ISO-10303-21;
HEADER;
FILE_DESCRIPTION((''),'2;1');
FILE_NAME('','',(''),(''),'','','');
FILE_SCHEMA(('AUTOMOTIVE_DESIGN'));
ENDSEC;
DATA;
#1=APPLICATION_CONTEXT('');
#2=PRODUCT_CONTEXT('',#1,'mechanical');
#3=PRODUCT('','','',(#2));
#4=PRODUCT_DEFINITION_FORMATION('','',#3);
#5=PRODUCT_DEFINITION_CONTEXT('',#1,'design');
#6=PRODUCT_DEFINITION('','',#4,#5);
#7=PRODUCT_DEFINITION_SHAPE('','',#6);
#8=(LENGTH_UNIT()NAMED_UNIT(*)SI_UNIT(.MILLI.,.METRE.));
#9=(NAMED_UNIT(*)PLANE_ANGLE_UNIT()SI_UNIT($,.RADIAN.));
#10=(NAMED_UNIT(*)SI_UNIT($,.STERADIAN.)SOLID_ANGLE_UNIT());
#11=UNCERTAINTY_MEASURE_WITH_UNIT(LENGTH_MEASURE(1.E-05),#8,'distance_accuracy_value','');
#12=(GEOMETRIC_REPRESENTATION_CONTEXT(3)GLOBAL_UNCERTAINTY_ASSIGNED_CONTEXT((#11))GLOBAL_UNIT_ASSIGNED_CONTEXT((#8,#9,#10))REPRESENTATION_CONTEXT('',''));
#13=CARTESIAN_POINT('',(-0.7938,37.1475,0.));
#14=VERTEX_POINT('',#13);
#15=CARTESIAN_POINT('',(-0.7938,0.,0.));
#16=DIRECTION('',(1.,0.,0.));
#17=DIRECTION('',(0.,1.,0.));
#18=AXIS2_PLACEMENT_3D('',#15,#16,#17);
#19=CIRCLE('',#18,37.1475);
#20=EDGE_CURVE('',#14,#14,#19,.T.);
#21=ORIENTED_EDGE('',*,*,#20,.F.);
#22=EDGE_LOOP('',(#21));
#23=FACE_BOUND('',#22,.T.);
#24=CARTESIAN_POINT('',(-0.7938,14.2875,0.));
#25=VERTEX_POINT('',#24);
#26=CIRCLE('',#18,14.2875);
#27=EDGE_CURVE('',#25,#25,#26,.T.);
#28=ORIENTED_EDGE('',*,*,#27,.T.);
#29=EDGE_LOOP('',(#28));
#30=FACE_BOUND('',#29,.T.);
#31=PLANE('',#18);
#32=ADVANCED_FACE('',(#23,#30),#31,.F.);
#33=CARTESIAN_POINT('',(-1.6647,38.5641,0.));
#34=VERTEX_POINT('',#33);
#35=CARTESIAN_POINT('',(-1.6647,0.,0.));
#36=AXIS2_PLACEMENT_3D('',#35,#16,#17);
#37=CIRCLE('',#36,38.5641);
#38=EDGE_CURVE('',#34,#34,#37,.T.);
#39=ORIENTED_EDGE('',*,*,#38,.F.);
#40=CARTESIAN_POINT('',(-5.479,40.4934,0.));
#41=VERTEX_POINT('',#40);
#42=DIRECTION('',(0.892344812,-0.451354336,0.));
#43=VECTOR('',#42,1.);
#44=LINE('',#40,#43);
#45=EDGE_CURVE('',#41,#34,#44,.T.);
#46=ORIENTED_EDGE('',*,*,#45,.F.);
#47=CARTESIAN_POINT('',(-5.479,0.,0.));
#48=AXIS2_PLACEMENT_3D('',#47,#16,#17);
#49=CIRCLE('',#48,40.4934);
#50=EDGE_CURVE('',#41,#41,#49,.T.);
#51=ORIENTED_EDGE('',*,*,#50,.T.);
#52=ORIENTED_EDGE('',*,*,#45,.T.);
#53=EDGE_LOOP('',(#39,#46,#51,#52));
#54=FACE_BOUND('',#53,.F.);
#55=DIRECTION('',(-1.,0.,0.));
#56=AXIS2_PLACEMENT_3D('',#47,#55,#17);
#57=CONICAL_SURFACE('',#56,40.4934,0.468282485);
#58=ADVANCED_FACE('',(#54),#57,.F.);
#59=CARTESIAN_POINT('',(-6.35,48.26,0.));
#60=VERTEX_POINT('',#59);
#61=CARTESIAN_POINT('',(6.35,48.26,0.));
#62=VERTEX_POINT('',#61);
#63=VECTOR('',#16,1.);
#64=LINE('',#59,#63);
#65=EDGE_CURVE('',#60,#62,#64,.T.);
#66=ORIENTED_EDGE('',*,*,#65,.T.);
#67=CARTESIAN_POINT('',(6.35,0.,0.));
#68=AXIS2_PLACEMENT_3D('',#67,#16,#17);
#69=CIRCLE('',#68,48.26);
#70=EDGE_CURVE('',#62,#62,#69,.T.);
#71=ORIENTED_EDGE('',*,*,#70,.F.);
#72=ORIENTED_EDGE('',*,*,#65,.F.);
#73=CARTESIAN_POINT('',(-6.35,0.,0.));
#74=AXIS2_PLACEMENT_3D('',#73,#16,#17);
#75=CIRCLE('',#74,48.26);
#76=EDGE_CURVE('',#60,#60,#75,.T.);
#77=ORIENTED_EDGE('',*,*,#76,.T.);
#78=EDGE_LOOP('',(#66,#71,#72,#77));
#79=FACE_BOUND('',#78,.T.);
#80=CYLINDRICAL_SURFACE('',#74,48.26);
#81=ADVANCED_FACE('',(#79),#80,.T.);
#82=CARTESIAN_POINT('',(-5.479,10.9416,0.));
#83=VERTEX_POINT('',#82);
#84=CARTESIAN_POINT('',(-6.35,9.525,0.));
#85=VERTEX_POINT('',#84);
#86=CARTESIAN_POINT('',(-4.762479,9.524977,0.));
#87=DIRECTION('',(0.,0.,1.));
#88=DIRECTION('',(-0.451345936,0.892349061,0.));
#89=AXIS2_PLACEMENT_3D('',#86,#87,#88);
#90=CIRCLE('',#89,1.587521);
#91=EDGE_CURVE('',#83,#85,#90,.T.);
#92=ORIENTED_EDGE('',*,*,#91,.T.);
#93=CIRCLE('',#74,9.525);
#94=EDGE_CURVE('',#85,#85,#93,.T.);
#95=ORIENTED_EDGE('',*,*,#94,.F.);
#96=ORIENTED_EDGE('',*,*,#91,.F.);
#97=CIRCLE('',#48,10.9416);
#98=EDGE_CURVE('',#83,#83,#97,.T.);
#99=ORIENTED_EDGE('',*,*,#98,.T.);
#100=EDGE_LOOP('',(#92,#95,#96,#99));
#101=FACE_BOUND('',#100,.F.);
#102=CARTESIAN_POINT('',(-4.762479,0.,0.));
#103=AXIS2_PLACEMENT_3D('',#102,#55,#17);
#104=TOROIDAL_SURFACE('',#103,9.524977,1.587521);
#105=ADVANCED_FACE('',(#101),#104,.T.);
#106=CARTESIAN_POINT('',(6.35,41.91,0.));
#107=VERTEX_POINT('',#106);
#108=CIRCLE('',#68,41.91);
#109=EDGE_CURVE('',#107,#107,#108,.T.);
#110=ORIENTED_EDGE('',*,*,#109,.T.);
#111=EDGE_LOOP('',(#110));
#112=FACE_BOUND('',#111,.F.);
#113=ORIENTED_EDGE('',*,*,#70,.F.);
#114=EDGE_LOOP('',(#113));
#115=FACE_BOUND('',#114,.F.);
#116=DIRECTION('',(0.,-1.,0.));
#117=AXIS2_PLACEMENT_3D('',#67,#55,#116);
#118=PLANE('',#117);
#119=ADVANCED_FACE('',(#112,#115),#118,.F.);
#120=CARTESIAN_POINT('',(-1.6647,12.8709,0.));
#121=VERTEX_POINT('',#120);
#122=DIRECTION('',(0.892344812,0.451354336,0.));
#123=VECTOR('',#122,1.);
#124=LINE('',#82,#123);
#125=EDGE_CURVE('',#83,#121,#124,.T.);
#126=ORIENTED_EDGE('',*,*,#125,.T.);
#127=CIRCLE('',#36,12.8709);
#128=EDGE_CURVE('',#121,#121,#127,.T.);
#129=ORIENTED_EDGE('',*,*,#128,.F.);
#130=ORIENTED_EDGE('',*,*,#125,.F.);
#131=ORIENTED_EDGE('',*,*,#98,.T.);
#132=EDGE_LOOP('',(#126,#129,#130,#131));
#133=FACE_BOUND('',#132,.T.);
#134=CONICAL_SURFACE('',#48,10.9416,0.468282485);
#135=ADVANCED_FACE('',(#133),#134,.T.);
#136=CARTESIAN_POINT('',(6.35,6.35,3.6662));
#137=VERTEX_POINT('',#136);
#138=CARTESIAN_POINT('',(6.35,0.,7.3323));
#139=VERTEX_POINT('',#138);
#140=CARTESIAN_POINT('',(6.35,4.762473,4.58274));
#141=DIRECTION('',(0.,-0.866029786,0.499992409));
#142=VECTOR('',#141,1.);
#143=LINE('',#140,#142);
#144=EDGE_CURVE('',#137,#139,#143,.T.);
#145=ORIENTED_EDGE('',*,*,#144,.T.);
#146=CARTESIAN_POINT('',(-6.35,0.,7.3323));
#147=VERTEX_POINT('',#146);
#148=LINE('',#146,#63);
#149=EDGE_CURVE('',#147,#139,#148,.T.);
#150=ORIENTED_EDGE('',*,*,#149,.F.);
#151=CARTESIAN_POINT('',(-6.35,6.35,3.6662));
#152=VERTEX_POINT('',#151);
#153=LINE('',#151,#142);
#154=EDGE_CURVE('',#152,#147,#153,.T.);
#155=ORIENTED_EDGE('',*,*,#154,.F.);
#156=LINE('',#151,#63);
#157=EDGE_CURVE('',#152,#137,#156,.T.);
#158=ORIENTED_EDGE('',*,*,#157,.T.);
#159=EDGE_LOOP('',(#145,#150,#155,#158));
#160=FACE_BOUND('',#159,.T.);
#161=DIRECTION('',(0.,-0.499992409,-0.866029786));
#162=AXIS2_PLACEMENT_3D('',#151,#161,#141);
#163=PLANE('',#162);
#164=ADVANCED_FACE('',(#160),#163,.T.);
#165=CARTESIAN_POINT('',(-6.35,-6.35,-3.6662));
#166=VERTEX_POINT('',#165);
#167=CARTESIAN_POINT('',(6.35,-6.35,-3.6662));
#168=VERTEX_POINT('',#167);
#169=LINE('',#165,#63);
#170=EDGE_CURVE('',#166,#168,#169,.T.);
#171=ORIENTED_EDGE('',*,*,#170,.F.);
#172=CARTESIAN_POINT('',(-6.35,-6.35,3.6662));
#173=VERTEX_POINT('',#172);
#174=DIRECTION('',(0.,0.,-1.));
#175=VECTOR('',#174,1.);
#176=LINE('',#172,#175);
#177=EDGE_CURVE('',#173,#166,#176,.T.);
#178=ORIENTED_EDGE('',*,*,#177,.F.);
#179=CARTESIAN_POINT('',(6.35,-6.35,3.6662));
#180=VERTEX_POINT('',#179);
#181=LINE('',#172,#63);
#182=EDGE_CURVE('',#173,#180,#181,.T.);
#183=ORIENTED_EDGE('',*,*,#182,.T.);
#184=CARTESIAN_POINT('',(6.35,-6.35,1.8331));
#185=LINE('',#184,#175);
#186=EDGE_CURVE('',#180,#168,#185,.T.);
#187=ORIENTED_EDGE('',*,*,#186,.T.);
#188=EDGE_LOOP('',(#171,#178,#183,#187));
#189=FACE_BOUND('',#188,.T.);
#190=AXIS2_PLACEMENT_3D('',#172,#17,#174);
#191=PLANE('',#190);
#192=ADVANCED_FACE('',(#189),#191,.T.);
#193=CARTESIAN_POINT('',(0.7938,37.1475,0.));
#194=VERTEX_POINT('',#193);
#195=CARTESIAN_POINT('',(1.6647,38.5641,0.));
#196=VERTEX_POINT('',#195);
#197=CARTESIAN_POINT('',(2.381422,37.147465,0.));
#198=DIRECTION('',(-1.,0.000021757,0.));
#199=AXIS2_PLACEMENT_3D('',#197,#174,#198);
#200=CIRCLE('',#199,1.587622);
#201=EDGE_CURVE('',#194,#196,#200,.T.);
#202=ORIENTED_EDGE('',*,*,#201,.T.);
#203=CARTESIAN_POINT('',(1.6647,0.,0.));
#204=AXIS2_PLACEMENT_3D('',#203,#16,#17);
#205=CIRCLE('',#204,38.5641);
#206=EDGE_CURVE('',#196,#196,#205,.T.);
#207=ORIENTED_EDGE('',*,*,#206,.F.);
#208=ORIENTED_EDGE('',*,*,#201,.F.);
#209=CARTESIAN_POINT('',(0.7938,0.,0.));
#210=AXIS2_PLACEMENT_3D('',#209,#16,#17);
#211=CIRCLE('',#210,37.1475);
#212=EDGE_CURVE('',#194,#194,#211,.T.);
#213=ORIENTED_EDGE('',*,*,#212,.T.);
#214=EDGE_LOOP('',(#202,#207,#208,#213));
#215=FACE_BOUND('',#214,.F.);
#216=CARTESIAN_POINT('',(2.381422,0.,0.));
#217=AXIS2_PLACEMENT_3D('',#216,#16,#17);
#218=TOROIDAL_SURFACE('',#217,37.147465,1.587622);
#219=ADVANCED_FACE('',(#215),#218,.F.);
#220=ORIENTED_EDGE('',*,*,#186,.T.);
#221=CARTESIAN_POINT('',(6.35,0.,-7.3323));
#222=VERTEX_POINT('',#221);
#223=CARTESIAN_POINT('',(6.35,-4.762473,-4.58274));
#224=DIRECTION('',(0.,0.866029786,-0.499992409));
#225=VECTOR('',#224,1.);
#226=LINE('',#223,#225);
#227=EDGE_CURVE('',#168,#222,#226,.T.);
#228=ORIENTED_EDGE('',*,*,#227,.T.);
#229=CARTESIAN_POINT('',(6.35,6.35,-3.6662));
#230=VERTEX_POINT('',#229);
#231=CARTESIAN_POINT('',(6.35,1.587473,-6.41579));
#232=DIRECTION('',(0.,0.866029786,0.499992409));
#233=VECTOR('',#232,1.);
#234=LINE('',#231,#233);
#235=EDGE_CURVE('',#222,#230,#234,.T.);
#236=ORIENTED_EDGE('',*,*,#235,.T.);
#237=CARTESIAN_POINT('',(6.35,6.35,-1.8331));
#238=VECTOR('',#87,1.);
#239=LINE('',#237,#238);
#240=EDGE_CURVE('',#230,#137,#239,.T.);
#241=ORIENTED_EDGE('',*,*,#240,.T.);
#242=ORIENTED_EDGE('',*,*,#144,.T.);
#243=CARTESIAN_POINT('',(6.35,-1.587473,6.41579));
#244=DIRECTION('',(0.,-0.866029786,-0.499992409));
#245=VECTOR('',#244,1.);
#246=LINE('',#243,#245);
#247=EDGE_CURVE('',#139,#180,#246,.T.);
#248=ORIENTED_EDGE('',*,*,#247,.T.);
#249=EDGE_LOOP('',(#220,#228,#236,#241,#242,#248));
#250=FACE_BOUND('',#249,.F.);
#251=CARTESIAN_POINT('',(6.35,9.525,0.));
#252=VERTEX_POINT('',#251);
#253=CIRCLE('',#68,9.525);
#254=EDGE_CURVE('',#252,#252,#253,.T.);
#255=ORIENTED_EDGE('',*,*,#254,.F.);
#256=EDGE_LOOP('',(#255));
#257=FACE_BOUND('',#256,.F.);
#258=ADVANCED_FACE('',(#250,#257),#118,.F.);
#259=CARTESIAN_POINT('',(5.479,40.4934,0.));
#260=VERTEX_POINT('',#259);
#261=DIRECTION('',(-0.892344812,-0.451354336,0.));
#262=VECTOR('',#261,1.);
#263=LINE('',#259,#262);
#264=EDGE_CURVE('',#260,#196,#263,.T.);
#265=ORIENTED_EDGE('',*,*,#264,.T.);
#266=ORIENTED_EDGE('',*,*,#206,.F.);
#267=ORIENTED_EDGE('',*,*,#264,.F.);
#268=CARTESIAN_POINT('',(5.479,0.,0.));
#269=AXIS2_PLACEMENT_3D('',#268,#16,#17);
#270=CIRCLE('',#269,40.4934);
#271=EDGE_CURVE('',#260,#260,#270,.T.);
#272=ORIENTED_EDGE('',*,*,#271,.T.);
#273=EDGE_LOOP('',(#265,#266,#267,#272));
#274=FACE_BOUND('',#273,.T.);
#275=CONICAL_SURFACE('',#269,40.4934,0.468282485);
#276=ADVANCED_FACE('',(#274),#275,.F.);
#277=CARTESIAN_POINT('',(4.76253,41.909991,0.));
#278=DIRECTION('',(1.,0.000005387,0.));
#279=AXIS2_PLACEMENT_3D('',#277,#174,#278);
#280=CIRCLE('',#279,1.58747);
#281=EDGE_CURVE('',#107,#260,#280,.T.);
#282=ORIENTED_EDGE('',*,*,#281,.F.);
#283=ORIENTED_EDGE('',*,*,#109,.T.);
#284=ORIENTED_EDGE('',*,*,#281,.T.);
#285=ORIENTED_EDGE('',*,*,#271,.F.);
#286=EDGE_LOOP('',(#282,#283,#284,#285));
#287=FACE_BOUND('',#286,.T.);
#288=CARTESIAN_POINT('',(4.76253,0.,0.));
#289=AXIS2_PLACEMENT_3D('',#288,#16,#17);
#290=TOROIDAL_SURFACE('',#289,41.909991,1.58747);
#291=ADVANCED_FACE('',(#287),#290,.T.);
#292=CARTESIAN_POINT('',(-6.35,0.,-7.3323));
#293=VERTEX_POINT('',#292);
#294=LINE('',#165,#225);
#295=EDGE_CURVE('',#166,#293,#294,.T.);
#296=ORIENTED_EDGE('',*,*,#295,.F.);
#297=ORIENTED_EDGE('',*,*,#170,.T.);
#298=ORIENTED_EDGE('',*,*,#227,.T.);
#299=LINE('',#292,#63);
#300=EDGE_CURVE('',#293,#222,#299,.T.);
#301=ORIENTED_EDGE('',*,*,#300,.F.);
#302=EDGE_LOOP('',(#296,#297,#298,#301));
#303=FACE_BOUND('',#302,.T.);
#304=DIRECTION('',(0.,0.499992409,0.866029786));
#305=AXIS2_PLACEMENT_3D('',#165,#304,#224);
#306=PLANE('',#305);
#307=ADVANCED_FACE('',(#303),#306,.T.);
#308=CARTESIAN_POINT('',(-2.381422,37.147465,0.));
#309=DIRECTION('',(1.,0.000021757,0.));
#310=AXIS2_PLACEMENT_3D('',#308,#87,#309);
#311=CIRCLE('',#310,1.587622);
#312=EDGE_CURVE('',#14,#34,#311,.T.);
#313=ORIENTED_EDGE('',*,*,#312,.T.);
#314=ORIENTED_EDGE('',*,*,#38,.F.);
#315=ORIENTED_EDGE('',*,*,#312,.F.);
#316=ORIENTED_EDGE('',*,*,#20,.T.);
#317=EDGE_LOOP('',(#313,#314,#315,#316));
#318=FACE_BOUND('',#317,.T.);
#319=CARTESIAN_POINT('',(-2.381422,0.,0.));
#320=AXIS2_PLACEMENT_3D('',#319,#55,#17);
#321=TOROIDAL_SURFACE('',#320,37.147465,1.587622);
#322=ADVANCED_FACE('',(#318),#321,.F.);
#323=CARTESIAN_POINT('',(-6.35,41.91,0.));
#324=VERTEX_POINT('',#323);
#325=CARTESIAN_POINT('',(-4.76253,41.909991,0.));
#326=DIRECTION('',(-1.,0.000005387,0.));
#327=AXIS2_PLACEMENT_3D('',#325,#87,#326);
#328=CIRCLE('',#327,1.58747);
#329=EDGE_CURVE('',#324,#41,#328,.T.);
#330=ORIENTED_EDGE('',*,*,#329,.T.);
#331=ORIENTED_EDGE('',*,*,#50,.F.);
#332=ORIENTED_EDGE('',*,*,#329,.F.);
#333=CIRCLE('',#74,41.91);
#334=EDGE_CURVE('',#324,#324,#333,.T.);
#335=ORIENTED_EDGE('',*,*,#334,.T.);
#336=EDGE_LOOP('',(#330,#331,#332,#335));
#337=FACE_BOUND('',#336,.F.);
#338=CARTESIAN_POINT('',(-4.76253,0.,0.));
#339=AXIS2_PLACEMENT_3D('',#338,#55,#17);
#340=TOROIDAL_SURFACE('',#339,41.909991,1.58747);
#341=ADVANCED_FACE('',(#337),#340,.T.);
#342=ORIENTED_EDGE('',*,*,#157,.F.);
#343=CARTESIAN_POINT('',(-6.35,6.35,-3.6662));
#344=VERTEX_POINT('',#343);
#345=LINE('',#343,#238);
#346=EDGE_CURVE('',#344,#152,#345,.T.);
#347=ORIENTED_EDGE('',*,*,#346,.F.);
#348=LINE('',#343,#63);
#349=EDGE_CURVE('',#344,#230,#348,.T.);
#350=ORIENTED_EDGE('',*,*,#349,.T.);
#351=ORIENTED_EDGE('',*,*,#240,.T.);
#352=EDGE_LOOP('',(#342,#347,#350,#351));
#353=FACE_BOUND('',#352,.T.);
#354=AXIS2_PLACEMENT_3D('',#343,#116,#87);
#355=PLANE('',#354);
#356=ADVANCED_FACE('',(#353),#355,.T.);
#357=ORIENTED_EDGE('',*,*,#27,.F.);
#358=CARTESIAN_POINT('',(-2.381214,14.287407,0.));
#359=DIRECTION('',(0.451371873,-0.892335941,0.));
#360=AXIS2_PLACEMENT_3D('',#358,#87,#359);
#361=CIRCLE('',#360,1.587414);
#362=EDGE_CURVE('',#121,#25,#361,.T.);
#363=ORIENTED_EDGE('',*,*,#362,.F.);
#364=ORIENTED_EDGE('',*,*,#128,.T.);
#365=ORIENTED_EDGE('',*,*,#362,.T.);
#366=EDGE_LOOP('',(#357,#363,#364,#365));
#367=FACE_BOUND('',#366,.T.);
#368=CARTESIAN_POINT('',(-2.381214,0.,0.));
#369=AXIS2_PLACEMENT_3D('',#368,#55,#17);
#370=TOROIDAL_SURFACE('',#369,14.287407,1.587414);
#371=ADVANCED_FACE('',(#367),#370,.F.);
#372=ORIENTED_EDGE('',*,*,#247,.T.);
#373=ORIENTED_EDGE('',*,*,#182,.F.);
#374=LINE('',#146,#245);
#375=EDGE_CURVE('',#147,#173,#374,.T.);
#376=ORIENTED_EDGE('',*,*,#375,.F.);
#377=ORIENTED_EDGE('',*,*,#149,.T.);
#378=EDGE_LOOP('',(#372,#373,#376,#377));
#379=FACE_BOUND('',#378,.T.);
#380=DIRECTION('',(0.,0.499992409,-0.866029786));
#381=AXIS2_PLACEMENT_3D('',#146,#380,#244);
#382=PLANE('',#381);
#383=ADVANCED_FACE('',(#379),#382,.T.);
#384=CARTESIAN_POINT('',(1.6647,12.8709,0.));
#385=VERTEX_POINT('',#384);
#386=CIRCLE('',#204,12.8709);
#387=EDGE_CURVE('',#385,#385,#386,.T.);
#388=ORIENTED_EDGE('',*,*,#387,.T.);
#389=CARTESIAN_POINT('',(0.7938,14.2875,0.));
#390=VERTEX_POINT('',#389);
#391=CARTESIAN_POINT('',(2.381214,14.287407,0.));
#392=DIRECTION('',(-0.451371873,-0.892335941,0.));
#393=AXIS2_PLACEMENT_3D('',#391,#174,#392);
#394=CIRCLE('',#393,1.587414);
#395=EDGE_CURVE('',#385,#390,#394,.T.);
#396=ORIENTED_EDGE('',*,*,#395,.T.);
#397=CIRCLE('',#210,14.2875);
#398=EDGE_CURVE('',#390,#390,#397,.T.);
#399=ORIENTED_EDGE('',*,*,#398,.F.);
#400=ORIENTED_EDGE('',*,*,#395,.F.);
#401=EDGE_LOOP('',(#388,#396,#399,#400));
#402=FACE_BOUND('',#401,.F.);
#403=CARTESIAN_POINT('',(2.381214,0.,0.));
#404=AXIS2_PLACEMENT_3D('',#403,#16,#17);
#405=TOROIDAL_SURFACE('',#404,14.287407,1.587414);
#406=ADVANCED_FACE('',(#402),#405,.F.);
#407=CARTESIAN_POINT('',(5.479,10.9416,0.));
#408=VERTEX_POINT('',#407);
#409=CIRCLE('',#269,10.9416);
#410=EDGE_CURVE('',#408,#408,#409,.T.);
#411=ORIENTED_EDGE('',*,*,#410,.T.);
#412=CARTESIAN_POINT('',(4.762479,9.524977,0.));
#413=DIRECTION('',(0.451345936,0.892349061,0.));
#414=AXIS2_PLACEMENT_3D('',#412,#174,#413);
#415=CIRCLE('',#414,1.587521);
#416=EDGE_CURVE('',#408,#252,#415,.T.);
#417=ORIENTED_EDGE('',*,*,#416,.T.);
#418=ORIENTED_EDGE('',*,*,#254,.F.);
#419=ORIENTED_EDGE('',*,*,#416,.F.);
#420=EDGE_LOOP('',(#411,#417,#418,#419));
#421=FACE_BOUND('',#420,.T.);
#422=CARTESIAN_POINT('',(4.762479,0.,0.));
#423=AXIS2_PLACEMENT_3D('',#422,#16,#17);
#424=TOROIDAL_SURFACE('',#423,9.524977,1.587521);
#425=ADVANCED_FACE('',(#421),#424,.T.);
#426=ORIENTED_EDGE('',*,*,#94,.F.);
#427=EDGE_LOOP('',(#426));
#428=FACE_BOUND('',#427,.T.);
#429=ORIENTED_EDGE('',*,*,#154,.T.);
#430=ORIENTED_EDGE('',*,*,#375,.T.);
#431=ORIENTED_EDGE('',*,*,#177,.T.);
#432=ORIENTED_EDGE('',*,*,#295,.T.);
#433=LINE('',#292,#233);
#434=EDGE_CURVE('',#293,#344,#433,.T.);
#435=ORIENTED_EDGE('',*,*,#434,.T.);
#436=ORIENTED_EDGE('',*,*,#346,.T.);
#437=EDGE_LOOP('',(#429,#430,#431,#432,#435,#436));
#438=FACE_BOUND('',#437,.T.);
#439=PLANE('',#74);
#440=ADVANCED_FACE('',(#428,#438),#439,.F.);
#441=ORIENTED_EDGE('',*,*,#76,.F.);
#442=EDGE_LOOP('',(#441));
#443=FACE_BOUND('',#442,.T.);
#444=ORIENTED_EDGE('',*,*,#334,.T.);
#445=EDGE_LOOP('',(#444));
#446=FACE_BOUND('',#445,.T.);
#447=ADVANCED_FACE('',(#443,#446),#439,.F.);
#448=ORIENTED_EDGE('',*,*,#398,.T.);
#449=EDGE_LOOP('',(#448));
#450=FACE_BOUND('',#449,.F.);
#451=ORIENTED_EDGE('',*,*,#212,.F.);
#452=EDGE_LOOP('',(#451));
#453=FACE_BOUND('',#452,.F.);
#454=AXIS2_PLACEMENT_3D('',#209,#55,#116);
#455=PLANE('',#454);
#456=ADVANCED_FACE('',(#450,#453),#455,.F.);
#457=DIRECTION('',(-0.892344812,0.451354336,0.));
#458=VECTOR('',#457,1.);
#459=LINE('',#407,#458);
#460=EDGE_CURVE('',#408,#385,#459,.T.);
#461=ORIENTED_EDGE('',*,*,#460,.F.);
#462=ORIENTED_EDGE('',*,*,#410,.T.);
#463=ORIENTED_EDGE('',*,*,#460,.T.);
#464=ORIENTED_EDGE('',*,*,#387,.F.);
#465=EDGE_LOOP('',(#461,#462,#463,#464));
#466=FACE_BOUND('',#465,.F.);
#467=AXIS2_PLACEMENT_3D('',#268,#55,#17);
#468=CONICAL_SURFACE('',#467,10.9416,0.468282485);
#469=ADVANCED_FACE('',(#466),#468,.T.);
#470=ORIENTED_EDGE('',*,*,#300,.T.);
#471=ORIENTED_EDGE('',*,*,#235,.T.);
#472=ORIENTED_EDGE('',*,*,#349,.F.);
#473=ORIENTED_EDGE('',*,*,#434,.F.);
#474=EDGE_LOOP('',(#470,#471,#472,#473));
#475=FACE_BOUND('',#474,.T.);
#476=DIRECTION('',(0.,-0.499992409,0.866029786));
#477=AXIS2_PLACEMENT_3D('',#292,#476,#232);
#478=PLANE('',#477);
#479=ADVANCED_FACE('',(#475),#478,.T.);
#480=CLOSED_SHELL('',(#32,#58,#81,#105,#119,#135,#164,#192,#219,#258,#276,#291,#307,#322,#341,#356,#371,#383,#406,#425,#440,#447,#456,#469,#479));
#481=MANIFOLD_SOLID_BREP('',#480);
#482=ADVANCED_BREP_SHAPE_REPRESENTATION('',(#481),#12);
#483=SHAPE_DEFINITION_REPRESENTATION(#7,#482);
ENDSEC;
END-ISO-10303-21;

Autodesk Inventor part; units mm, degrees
ref_plane "YZ Plane" through (0, 0, 0) normal (1, 0, 0) x (0, 1, 0)
ref_plane "XZ Plane" through (0, 0, 0) normal (0, 1, 0) x (-1, 0, 0)
ref_plane "XY Plane" through (0, 0, 0) normal (0, 0, 1) x (1, 0, 0)
sketch "Sketch3" plane through (0, 0, 0) normal (0, 0, 1) x (1, 0, 0)
  line L0 (-7.8604, 0) -> (1.3101, 0) projected
  line L1 (0, -9.652) -> (0, 57.912) projected
  line L2 (-6.35, 0) -> (-6.35, 9.525)
  line L3 (-5.479, 10.9416) -> (-1.6647, 12.8709)
  line L4 (-0.7938, 14.2875) -> (-0.7938, 37.1475)
  line L5 (-6.35, 41.91) -> (-6.35, 48.26)
  line L6 (-6.35, 48.26) -> (0, 48.26)
  arc A0 (-0.7938, 37.1475) -> (-1.6647, 38.5641) centre (-2.3813, 37.1475) ccw
  arc A1 (-1.6647, 12.8709) -> (-0.7938, 14.2875) centre (-2.3813, 14.2875) ccw
  arc A2 (-5.479, 10.9416) -> (-6.35, 9.525) centre (-4.7625, 9.525) ccw
  arc A3 (-6.35, 41.91) -> (-5.479, 40.4934) centre (-4.7625, 41.91) ccw
  line L7 (-5.479, 40.4934) -> (-1.6647, 38.5641)
  point P0 (0, 0)
  point P1 (-6.35, 37.836)
  dimension "d14" = 6.35
  dimension "d15" = 1.5875
  dimension "d16" = 12.7
  dimension "d18" = 19.05
  dimension "d19" = 96.52
  dimension "d21" = 1.5875
  dimension "d22" = 1.5875
  dimension "d23" = 28.575
  dimension "d24" = 6.35
revolve "Revolution1" add sketch "Sketch3" angle 360 about axis through (-10, 0, 0) along (1, 0, 0)
mirror "Mirror1" about plane through (0, 0, 0) normal (1, 0, 0) of "Revolution1"
sketch "Sketch4" plane through (-6.35, 0, 0) normal (-1, 0, 0) x (0, 0, 1)
  line L0 (3.6662, -6.35) -> (-3.6662, -6.35)
  line L1 (-3.6662, -6.35) -> (-7.3323, 0)
  line L2 (-7.3323, 0) -> (-3.6662, 6.35)
  line L3 (-3.6662, 6.35) -> (3.6662, 6.35)
  line L4 (3.6662, 6.35) -> (7.3323, 0)
  line L5 (7.3323, 0) -> (3.6662, -6.35)
  point P0 (0, 0)
  point P1 (0, 0)
  dimension "d26" = 12.7
extrude "Extrusion2" cut sketch "Sketch4" against normal through all
properties part number "Shooter,FlyWheel" material "Steel, Alloy"
